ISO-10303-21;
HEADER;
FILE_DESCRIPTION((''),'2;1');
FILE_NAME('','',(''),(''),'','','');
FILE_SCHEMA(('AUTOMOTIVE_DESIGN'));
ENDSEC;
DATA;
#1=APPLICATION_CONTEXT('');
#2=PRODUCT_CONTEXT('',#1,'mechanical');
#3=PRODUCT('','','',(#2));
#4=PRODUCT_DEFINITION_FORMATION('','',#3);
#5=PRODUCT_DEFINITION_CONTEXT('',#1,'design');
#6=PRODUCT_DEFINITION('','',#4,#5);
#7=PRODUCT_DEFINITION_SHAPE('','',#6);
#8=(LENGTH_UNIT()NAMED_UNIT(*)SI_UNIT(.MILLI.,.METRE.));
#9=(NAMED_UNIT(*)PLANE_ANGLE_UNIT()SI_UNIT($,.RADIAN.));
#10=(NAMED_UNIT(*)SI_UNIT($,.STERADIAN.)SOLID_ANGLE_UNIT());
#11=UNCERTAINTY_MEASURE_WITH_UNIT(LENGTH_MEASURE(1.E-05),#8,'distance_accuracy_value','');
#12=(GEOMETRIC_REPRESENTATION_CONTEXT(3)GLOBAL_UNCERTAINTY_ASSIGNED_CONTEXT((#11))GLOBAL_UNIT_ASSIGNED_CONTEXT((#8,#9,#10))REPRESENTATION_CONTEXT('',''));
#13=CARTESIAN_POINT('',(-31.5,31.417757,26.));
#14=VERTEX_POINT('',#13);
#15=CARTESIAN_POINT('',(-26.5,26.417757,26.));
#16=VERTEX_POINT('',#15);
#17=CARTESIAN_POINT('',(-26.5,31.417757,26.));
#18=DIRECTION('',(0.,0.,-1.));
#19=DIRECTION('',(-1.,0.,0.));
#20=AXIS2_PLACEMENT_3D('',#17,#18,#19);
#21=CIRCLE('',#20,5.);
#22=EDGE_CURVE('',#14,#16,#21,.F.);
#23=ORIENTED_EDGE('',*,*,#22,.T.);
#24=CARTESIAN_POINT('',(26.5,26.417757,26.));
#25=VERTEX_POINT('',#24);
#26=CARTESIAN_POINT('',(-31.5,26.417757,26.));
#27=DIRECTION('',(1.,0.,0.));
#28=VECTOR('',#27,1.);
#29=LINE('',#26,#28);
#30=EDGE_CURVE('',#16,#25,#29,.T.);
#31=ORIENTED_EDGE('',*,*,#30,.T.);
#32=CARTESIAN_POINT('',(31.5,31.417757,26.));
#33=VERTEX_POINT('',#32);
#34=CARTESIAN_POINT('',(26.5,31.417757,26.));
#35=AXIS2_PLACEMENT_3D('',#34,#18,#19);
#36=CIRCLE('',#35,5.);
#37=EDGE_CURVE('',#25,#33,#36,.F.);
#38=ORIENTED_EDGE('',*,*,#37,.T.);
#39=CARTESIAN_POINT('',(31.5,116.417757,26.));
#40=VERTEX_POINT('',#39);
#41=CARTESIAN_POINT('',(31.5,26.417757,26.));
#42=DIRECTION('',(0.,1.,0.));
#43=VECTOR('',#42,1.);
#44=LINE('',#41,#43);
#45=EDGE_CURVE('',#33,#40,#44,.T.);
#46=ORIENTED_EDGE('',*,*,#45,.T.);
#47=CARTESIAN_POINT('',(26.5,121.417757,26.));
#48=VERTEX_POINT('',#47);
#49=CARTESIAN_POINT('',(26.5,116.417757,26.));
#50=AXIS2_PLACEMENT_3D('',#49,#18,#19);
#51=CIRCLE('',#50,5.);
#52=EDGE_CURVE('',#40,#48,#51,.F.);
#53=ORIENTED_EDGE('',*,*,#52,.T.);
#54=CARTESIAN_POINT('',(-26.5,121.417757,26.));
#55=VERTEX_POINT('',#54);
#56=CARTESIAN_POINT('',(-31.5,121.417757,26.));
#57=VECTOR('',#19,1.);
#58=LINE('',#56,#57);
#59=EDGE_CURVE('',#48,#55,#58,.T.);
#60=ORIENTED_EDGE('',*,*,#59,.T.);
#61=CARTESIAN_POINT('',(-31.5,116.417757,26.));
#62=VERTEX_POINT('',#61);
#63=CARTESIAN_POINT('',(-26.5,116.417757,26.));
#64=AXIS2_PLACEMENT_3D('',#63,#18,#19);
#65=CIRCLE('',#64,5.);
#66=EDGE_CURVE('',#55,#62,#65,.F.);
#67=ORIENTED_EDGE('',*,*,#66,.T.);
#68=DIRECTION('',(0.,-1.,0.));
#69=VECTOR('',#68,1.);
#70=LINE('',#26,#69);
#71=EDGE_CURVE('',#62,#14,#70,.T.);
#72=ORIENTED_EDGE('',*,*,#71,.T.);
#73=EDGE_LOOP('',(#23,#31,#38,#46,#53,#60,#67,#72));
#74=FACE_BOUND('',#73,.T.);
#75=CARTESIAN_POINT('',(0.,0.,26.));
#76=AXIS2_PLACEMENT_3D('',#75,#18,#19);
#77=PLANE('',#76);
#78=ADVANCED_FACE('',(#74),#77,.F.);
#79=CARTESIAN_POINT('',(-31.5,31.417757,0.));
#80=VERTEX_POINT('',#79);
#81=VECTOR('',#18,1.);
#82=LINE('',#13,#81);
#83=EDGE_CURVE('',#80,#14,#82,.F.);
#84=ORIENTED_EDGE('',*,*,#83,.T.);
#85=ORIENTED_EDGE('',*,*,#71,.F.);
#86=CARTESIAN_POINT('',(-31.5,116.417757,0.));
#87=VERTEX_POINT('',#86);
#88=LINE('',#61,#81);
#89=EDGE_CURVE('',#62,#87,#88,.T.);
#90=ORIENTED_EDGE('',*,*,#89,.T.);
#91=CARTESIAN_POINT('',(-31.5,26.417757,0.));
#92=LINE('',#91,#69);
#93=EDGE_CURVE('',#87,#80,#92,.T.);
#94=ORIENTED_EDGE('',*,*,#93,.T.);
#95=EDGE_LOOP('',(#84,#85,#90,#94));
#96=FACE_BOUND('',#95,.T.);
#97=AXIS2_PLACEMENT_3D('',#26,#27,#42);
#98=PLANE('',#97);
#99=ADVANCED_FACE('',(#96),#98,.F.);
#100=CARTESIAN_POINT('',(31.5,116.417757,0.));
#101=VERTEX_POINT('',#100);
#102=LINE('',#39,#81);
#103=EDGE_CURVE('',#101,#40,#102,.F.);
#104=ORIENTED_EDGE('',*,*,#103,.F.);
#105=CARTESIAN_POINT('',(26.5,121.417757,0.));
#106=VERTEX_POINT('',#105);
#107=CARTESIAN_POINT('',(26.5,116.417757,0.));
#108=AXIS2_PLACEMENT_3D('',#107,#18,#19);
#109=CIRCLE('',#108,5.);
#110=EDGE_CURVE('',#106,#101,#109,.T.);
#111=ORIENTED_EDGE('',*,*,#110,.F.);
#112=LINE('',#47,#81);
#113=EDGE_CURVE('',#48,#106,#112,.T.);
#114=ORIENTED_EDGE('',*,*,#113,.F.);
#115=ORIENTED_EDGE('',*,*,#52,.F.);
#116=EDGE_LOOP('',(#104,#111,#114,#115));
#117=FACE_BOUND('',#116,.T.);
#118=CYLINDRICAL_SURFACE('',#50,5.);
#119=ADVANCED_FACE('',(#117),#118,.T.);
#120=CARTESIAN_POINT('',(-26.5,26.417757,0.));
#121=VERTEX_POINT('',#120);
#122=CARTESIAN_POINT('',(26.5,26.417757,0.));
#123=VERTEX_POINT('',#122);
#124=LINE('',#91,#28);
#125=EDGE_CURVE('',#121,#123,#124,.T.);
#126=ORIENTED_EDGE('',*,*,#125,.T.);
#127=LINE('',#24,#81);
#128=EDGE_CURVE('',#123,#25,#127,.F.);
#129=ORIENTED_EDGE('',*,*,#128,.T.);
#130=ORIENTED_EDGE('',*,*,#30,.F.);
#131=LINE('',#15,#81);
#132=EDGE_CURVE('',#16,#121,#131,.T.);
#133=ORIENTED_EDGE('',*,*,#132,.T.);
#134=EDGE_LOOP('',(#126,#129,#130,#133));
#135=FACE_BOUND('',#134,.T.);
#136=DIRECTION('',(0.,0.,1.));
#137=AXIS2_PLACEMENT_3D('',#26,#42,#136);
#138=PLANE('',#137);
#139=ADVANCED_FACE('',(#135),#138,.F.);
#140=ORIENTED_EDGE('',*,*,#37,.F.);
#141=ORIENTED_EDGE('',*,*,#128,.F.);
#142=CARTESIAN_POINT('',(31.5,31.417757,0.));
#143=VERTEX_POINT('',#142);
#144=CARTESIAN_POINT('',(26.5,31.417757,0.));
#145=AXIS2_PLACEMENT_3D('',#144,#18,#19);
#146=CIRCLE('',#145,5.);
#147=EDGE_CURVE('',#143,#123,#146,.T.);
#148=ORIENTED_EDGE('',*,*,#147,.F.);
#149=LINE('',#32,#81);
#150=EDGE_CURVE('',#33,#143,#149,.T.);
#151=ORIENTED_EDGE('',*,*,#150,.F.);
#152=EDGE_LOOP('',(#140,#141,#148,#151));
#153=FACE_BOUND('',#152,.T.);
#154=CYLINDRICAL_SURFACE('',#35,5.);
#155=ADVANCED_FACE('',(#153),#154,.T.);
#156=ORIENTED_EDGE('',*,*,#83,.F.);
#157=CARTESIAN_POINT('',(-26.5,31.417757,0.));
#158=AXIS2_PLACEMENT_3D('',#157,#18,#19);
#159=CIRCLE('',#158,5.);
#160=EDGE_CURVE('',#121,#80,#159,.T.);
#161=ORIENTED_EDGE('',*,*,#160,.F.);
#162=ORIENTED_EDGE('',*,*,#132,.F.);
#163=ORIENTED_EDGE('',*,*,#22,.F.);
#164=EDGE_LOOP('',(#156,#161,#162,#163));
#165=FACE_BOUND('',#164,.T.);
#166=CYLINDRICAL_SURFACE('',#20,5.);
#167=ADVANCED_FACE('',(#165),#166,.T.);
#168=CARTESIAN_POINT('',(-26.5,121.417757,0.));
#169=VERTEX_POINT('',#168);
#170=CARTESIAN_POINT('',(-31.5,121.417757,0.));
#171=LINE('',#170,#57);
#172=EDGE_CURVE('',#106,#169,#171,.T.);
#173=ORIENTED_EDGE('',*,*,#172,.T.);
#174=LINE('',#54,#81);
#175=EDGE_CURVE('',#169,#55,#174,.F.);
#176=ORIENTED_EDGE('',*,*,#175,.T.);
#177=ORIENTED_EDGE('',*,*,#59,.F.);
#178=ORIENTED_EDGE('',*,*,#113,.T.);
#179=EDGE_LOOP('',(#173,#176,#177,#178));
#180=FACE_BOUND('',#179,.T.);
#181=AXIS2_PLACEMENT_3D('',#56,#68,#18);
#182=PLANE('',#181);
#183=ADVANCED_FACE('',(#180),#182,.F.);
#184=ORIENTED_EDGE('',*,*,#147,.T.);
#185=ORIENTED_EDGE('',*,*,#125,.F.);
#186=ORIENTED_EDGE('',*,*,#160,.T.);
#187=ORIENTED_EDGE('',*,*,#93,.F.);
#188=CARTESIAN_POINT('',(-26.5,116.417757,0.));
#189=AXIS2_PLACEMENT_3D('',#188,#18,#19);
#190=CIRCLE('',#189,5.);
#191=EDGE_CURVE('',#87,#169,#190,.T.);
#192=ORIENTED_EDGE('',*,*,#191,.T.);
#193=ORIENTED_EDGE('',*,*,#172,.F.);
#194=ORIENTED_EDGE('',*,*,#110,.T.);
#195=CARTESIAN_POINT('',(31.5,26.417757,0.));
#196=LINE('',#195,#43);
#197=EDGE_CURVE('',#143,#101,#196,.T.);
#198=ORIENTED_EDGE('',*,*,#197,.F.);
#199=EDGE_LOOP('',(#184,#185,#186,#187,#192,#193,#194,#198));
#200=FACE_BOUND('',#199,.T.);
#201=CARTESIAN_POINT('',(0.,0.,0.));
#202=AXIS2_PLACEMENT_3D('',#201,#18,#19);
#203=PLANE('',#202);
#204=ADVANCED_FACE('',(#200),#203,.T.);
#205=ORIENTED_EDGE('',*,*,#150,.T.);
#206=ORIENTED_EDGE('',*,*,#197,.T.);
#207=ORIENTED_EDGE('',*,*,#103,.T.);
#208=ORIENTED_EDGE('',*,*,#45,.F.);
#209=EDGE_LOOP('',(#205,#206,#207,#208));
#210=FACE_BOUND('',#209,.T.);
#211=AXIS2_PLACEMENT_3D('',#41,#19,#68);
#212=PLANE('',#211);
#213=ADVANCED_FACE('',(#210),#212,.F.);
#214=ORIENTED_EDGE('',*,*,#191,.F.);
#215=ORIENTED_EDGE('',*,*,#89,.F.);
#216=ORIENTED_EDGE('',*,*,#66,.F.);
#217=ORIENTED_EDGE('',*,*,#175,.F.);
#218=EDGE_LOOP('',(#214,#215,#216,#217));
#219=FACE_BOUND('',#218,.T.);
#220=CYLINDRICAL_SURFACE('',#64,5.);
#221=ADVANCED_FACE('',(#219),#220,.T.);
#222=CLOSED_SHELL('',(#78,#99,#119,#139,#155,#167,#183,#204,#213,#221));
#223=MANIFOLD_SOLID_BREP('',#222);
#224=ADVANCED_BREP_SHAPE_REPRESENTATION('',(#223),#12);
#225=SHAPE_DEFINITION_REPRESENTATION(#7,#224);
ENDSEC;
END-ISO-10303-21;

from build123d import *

# Parameters (mm, degrees)
ESBO_O3_W                = 63
ESBO_O3_H                = 95
RESSALTO_EXTRUS_O1_DEPTH = 26
FILETE1_R                = 5


with BuildPart() as part:
    # Esboço3 → Ressalto-extrusão1 (new body)
    with BuildSketch(Plane.XY):
        with Locations((0, 73.917756745)):
            Rectangle(ESBO_O3_W, ESBO_O3_H)
    extrude(amount=RESSALTO_EXTRUS_O1_DEPTH)

    # Filete1
    filete1_edges = [part.edges().sort_by_distance(p)[0] for p in [
        (31.5, 26.417756745, 13),
        (-31.5, 26.417756745, 13),
        (-31.5, 121.417756745, 13),
        (31.5, 121.417756745, 13),
    ]]
    fillet(filete1_edges, radius=FILETE1_R)


solid = part.part
